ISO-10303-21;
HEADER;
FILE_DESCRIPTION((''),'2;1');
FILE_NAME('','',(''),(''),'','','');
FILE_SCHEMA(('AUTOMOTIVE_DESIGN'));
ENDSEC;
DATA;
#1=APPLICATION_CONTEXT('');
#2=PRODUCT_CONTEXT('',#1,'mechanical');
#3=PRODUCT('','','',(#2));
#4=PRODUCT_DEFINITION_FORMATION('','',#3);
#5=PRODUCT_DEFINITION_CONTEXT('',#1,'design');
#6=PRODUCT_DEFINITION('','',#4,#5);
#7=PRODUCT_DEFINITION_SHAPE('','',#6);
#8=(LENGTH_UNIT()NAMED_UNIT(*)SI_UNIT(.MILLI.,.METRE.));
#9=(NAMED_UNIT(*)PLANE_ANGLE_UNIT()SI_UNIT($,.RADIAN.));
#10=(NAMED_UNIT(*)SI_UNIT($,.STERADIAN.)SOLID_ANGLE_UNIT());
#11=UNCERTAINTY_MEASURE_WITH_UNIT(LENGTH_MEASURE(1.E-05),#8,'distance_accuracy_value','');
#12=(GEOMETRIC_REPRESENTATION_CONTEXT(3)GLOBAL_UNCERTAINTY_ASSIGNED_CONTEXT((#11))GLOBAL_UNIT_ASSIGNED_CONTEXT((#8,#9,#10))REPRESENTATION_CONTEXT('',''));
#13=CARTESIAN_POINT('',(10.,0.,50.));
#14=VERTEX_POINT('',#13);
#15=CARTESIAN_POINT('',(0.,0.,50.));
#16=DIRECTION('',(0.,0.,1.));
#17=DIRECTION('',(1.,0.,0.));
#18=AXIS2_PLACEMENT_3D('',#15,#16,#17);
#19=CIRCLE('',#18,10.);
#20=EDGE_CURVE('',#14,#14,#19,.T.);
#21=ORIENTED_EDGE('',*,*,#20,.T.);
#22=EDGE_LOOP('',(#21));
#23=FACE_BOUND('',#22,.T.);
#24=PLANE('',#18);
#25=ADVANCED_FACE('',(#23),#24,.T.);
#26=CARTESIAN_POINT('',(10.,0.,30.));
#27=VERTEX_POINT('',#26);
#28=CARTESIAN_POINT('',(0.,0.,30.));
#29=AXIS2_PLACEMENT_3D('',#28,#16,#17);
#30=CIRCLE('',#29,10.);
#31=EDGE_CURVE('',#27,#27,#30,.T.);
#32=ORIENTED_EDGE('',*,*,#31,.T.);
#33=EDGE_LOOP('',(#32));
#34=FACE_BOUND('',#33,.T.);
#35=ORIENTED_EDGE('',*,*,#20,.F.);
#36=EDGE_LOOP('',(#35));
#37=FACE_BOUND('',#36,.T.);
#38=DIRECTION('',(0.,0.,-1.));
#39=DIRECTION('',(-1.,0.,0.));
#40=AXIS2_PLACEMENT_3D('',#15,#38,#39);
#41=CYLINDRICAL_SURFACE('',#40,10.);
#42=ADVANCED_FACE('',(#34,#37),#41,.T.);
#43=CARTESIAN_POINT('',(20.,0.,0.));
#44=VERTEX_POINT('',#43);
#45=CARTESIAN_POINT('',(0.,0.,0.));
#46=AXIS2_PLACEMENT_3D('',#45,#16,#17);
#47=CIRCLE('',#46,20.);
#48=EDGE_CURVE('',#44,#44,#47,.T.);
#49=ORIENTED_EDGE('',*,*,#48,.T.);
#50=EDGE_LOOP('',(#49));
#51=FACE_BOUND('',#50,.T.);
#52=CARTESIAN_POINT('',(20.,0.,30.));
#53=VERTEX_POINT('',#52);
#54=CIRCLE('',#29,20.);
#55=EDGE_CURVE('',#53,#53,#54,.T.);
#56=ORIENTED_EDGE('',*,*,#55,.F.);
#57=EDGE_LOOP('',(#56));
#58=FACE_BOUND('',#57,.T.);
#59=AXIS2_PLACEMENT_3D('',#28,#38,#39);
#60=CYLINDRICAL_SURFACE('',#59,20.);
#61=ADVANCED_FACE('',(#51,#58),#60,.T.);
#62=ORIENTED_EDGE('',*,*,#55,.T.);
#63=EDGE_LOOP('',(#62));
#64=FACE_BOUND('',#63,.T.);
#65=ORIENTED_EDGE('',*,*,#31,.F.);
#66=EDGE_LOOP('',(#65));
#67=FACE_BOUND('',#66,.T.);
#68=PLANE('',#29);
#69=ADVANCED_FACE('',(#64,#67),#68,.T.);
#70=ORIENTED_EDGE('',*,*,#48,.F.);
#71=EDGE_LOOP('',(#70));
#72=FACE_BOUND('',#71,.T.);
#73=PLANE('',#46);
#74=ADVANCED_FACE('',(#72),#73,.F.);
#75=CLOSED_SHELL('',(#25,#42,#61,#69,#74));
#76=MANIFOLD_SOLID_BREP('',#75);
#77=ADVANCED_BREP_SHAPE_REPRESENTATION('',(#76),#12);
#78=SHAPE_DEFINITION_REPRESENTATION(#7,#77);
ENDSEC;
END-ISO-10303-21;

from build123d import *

# Parameters (mm, degrees)
SKETCH1_R           = 20
BOSS_EXTRUDE1_DEPTH = 30
SKETCH2_R           = 10
BOSS_EXTRUDE2_DEPTH = 20


with BuildPart() as part:
    # Sketch1 → Boss-Extrude1 (new body)
    with BuildSketch(Plane.XY):
        Circle(SKETCH1_R)
    extrude(amount=BOSS_EXTRUDE1_DEPTH)

    # Sketch2 → Boss-Extrude2 (add)
    with BuildSketch(Plane.XY.offset(30)):
        Circle(SKETCH2_R)
    extrude(amount=BOSS_EXTRUDE2_DEPTH)


solid = part.part
